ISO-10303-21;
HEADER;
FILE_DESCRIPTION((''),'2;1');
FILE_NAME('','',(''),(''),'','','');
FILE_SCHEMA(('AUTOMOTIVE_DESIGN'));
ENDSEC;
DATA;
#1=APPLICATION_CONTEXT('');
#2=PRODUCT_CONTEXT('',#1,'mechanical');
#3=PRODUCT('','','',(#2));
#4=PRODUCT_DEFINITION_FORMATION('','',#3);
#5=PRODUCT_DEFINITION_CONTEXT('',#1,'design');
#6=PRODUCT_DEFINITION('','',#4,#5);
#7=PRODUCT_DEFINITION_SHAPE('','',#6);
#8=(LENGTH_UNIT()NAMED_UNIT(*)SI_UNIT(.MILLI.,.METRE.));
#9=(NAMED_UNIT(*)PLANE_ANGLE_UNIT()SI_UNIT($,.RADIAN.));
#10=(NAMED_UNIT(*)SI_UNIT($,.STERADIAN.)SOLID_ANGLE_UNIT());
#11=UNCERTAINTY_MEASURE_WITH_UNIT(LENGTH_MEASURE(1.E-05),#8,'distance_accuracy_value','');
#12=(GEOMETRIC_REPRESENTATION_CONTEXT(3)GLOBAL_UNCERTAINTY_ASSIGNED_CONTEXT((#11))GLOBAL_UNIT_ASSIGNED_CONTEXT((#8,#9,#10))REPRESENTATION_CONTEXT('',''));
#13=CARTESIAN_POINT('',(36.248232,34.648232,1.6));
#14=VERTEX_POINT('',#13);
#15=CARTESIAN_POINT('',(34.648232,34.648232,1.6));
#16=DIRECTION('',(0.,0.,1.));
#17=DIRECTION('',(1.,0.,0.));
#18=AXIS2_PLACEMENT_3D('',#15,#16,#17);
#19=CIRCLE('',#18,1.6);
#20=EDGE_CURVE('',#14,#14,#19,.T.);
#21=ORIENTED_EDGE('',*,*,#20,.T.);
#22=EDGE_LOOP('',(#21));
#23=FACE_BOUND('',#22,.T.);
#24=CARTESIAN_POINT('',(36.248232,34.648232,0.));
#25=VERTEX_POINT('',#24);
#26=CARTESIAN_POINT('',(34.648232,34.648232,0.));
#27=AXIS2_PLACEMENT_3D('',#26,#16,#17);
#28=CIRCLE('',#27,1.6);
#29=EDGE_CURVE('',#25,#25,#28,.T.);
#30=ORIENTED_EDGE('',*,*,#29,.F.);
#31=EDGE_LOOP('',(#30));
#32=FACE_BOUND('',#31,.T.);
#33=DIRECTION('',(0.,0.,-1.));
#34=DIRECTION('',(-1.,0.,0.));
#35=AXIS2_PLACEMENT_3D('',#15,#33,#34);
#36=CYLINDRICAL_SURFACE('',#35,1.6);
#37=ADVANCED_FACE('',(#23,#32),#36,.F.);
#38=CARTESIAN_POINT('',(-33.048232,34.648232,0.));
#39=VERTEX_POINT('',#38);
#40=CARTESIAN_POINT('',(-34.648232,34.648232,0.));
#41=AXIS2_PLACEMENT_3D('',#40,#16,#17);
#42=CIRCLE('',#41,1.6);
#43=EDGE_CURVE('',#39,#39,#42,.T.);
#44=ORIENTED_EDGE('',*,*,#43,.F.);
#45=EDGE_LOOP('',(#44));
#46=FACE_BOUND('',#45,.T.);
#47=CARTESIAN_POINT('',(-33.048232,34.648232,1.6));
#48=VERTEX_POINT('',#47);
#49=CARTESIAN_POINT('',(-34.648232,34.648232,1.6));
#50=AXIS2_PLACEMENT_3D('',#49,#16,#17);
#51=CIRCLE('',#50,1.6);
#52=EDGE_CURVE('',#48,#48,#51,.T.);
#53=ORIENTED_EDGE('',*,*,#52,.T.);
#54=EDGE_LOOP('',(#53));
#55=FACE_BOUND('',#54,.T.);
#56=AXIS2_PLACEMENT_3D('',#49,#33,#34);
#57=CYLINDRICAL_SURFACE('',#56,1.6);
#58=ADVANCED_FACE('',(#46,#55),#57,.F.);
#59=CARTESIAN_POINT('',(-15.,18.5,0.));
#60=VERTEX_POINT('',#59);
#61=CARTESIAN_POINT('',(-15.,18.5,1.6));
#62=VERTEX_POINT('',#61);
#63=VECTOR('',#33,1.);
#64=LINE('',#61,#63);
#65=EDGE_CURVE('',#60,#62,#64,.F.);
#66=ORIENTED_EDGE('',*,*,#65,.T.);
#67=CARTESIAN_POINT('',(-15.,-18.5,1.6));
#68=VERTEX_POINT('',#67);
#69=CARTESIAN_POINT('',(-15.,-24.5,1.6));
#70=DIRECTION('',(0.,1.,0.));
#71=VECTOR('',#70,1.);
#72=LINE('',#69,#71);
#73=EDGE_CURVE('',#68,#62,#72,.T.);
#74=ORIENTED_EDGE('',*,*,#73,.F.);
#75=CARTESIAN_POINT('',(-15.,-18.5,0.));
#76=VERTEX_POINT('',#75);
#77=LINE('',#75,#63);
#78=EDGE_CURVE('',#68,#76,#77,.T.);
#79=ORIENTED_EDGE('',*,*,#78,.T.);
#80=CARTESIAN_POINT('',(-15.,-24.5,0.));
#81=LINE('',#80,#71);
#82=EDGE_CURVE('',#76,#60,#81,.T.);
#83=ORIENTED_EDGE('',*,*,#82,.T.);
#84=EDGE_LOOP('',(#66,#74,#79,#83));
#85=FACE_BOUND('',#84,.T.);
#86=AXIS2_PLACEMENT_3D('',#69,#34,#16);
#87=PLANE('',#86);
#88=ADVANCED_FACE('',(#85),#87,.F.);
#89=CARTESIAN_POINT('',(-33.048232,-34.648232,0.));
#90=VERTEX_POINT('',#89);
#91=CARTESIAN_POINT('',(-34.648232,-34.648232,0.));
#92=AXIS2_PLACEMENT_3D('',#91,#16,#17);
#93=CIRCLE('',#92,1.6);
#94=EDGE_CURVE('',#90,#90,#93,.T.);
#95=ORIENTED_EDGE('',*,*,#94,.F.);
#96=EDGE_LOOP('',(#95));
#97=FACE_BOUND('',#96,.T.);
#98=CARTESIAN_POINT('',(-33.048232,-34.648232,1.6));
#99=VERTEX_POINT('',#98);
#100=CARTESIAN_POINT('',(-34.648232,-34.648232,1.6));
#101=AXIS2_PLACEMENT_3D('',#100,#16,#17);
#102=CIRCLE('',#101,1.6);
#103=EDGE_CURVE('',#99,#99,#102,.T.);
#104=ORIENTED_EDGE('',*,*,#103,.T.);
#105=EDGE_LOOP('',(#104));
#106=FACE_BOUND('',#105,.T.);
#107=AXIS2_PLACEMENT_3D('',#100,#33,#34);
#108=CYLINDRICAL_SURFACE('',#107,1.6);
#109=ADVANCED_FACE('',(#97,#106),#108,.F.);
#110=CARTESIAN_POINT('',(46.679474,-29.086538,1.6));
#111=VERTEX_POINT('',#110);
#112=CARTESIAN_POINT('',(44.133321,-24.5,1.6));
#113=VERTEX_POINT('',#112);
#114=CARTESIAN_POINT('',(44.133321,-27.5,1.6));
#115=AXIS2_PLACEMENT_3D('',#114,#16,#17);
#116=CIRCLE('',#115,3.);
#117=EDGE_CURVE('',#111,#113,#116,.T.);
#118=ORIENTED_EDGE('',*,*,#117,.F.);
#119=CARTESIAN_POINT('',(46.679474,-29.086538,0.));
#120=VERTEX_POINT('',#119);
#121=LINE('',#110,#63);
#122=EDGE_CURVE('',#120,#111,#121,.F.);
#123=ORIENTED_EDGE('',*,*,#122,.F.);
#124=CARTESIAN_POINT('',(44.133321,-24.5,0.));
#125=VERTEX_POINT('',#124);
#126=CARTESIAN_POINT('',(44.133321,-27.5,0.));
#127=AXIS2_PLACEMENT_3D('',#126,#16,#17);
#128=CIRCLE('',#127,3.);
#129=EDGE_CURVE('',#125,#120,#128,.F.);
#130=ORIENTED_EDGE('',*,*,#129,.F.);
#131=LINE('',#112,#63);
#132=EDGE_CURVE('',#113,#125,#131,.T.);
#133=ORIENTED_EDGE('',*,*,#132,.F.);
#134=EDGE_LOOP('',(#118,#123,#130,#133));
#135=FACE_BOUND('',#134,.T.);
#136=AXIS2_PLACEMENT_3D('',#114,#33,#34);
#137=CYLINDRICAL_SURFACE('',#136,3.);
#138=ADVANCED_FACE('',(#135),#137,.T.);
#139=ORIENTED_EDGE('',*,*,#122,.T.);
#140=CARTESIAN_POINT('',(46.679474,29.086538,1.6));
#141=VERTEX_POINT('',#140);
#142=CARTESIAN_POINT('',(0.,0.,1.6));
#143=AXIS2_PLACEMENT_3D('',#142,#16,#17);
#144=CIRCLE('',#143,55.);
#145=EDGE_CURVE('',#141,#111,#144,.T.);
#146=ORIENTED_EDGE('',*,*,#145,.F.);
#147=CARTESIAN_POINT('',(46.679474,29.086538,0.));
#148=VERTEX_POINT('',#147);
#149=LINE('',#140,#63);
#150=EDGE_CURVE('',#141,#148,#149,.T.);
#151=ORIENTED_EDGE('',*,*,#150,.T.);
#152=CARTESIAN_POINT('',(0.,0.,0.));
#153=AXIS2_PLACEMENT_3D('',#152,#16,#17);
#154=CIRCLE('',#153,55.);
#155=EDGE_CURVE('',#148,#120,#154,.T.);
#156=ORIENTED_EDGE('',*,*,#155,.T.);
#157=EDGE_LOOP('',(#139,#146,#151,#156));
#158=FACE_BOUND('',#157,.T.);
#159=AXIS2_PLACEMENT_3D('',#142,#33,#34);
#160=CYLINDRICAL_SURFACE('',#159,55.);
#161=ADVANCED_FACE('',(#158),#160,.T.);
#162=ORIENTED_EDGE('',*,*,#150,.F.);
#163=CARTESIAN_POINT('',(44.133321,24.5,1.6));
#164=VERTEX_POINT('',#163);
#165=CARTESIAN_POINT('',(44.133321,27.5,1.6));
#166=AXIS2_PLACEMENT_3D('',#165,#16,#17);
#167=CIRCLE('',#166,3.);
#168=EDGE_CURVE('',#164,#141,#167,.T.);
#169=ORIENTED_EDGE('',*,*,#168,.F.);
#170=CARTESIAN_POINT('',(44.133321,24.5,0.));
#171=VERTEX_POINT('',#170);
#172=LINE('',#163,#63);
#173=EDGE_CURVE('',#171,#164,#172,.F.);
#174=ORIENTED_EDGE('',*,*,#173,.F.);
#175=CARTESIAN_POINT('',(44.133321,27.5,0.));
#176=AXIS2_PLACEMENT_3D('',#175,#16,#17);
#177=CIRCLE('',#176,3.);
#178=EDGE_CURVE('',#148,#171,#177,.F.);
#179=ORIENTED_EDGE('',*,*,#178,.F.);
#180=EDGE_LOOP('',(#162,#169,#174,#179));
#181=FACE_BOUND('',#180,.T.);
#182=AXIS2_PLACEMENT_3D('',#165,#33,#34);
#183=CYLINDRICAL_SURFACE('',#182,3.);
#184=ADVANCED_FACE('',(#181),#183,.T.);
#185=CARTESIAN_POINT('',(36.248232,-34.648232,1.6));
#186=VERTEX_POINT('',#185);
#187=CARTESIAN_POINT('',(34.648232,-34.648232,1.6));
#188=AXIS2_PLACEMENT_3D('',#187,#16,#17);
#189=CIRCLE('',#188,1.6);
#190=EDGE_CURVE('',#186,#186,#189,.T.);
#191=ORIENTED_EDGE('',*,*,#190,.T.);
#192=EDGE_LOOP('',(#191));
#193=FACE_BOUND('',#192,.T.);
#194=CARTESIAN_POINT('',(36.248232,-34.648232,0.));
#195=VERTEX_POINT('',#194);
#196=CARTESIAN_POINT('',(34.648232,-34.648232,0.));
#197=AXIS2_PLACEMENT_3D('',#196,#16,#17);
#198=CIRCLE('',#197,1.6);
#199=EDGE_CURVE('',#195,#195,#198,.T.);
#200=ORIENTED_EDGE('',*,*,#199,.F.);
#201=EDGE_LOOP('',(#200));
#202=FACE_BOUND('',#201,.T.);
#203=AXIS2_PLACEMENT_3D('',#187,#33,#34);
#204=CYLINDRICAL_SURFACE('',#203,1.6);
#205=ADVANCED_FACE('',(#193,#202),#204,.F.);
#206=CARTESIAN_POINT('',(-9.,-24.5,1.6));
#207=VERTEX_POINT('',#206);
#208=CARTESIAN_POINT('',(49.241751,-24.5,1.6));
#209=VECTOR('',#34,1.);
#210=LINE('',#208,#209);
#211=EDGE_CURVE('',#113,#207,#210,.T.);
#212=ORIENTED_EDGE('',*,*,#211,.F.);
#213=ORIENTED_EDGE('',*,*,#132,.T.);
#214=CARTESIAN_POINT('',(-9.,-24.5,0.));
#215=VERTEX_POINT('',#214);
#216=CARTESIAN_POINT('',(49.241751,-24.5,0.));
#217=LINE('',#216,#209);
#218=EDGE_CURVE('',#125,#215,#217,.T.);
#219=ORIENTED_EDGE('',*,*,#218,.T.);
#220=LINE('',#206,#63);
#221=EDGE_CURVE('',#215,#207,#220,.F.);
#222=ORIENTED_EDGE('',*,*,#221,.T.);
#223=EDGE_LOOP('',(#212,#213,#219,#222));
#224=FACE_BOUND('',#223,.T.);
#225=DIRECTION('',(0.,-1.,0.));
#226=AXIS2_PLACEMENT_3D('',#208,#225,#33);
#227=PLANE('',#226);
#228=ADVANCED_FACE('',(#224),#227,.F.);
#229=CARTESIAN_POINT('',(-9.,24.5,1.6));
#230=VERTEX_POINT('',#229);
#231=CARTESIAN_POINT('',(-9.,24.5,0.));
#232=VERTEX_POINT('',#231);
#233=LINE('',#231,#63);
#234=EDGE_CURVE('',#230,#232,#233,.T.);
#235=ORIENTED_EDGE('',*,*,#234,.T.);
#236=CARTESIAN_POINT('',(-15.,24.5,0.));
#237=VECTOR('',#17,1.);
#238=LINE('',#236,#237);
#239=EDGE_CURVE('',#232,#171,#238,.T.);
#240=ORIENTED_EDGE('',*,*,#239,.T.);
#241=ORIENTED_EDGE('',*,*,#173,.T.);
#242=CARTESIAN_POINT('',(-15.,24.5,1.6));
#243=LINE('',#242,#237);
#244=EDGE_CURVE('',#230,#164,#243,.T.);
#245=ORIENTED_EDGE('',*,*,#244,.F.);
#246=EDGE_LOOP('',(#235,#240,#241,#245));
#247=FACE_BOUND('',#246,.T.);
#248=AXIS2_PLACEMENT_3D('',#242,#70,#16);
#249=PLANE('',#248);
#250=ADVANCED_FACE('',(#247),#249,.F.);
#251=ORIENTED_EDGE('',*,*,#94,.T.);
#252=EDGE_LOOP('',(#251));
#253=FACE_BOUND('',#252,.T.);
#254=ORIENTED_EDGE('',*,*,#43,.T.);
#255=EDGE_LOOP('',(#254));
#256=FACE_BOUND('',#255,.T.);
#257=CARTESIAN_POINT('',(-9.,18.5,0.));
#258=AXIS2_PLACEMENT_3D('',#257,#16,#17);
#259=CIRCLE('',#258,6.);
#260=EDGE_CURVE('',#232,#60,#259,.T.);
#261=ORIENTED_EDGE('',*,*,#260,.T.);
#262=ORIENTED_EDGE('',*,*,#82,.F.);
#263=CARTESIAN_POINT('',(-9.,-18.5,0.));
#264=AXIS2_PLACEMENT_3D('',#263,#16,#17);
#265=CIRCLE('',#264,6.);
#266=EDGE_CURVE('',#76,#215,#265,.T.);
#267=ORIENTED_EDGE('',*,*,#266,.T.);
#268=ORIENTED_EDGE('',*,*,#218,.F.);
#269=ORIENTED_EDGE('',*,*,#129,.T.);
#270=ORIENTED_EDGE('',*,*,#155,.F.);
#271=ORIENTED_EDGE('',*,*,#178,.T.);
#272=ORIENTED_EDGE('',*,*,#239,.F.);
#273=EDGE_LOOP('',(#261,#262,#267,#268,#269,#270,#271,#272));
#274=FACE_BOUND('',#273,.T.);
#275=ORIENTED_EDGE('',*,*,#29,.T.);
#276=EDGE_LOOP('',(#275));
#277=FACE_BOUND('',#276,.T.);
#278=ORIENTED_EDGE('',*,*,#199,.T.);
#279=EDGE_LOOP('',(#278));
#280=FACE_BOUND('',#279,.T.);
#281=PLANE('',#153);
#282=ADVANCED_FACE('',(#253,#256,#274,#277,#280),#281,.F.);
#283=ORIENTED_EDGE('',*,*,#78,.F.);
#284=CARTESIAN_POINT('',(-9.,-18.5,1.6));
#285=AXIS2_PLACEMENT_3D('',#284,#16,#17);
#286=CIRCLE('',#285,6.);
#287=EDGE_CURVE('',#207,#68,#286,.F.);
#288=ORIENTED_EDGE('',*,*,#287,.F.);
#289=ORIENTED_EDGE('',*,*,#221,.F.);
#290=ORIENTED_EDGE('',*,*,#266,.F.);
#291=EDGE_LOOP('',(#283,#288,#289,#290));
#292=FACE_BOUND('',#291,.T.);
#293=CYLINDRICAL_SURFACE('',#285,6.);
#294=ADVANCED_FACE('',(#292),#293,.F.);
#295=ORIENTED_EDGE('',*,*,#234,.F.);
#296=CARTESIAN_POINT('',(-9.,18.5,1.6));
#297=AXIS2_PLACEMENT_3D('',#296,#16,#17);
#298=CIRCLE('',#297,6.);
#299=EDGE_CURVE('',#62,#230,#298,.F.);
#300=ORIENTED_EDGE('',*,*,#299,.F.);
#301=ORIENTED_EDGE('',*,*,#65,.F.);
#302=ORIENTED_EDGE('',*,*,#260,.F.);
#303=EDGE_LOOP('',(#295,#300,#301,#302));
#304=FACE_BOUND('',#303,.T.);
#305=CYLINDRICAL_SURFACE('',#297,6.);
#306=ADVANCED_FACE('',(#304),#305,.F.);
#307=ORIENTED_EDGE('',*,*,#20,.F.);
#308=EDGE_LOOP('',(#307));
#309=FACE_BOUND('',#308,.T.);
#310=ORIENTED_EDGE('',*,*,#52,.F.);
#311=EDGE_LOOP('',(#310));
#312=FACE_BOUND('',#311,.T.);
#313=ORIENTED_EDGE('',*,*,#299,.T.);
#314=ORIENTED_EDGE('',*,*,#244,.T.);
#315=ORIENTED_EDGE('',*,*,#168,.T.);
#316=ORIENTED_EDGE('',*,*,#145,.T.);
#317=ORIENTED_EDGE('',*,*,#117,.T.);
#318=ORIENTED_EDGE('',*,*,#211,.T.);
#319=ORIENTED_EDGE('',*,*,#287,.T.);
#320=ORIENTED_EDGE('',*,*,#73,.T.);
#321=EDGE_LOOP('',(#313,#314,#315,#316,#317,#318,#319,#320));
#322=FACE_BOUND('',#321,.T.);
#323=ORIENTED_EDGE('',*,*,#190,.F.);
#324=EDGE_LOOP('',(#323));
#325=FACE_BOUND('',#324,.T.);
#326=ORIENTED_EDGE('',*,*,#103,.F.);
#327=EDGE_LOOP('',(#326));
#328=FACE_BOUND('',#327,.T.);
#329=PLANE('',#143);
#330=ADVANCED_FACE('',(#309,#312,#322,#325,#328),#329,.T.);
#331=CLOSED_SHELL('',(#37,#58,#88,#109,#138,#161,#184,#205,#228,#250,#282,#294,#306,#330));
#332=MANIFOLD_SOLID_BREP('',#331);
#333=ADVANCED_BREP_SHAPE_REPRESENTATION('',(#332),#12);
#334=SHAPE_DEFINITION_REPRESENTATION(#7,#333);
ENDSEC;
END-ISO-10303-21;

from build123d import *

# Parameters (mm, degrees)
SKETCH_1_R      = 1.6
EXTRUDE_1_DEPTH = 1.6
FILLET_1_R      = 6
FILLET_2_R      = 3


with BuildPart() as part:
    # 草圖1 → 填料-伸長1 (new body)
    with BuildSketch(Plane.XY):
        with BuildLine():
            Line((49.241750578, -24.5), (-15, -24.5))
            Line((-15, -24.5), (-15, 24.5))
            Line((-15, 24.5), (49.241750578, 24.5))
            ThreePointArc((49.241750578, 24.5), (-55, 0), (49.241750578, -24.5))
        make_face()
        with Locations((34.648232278, 34.648232278)):
            Circle(SKETCH_1_R, mode=Mode.SUBTRACT)
        with Locations((-34.648232278, 34.648232278)):
            Circle(SKETCH_1_R, mode=Mode.SUBTRACT)
        with Locations((-34.648232278, -34.648232278)):
            Circle(SKETCH_1_R, mode=Mode.SUBTRACT)
        with Locations((34.648232278, -34.648232278)):
            Circle(SKETCH_1_R, mode=Mode.SUBTRACT)
    extrude(amount=EXTRUDE_1_DEPTH)

    # 圓角1
    fillet_1_edges = [part.edges().sort_by_distance(p)[0] for p in [
        (-15, 24.5, 0.8),
        (-15, -24.5, 0.8),
    ]]
    fillet(fillet_1_edges, radius=FILLET_1_R)

    # 圓角2
    fillet_2_edges = [part.edges().sort_by_distance(p)[0] for p in [
        (49.241750578, 24.5, 0.8),
        (49.241750578, -24.5, 0.8),
    ]]
    fillet(fillet_2_edges, radius=FILLET_2_R)


solid = part.part
